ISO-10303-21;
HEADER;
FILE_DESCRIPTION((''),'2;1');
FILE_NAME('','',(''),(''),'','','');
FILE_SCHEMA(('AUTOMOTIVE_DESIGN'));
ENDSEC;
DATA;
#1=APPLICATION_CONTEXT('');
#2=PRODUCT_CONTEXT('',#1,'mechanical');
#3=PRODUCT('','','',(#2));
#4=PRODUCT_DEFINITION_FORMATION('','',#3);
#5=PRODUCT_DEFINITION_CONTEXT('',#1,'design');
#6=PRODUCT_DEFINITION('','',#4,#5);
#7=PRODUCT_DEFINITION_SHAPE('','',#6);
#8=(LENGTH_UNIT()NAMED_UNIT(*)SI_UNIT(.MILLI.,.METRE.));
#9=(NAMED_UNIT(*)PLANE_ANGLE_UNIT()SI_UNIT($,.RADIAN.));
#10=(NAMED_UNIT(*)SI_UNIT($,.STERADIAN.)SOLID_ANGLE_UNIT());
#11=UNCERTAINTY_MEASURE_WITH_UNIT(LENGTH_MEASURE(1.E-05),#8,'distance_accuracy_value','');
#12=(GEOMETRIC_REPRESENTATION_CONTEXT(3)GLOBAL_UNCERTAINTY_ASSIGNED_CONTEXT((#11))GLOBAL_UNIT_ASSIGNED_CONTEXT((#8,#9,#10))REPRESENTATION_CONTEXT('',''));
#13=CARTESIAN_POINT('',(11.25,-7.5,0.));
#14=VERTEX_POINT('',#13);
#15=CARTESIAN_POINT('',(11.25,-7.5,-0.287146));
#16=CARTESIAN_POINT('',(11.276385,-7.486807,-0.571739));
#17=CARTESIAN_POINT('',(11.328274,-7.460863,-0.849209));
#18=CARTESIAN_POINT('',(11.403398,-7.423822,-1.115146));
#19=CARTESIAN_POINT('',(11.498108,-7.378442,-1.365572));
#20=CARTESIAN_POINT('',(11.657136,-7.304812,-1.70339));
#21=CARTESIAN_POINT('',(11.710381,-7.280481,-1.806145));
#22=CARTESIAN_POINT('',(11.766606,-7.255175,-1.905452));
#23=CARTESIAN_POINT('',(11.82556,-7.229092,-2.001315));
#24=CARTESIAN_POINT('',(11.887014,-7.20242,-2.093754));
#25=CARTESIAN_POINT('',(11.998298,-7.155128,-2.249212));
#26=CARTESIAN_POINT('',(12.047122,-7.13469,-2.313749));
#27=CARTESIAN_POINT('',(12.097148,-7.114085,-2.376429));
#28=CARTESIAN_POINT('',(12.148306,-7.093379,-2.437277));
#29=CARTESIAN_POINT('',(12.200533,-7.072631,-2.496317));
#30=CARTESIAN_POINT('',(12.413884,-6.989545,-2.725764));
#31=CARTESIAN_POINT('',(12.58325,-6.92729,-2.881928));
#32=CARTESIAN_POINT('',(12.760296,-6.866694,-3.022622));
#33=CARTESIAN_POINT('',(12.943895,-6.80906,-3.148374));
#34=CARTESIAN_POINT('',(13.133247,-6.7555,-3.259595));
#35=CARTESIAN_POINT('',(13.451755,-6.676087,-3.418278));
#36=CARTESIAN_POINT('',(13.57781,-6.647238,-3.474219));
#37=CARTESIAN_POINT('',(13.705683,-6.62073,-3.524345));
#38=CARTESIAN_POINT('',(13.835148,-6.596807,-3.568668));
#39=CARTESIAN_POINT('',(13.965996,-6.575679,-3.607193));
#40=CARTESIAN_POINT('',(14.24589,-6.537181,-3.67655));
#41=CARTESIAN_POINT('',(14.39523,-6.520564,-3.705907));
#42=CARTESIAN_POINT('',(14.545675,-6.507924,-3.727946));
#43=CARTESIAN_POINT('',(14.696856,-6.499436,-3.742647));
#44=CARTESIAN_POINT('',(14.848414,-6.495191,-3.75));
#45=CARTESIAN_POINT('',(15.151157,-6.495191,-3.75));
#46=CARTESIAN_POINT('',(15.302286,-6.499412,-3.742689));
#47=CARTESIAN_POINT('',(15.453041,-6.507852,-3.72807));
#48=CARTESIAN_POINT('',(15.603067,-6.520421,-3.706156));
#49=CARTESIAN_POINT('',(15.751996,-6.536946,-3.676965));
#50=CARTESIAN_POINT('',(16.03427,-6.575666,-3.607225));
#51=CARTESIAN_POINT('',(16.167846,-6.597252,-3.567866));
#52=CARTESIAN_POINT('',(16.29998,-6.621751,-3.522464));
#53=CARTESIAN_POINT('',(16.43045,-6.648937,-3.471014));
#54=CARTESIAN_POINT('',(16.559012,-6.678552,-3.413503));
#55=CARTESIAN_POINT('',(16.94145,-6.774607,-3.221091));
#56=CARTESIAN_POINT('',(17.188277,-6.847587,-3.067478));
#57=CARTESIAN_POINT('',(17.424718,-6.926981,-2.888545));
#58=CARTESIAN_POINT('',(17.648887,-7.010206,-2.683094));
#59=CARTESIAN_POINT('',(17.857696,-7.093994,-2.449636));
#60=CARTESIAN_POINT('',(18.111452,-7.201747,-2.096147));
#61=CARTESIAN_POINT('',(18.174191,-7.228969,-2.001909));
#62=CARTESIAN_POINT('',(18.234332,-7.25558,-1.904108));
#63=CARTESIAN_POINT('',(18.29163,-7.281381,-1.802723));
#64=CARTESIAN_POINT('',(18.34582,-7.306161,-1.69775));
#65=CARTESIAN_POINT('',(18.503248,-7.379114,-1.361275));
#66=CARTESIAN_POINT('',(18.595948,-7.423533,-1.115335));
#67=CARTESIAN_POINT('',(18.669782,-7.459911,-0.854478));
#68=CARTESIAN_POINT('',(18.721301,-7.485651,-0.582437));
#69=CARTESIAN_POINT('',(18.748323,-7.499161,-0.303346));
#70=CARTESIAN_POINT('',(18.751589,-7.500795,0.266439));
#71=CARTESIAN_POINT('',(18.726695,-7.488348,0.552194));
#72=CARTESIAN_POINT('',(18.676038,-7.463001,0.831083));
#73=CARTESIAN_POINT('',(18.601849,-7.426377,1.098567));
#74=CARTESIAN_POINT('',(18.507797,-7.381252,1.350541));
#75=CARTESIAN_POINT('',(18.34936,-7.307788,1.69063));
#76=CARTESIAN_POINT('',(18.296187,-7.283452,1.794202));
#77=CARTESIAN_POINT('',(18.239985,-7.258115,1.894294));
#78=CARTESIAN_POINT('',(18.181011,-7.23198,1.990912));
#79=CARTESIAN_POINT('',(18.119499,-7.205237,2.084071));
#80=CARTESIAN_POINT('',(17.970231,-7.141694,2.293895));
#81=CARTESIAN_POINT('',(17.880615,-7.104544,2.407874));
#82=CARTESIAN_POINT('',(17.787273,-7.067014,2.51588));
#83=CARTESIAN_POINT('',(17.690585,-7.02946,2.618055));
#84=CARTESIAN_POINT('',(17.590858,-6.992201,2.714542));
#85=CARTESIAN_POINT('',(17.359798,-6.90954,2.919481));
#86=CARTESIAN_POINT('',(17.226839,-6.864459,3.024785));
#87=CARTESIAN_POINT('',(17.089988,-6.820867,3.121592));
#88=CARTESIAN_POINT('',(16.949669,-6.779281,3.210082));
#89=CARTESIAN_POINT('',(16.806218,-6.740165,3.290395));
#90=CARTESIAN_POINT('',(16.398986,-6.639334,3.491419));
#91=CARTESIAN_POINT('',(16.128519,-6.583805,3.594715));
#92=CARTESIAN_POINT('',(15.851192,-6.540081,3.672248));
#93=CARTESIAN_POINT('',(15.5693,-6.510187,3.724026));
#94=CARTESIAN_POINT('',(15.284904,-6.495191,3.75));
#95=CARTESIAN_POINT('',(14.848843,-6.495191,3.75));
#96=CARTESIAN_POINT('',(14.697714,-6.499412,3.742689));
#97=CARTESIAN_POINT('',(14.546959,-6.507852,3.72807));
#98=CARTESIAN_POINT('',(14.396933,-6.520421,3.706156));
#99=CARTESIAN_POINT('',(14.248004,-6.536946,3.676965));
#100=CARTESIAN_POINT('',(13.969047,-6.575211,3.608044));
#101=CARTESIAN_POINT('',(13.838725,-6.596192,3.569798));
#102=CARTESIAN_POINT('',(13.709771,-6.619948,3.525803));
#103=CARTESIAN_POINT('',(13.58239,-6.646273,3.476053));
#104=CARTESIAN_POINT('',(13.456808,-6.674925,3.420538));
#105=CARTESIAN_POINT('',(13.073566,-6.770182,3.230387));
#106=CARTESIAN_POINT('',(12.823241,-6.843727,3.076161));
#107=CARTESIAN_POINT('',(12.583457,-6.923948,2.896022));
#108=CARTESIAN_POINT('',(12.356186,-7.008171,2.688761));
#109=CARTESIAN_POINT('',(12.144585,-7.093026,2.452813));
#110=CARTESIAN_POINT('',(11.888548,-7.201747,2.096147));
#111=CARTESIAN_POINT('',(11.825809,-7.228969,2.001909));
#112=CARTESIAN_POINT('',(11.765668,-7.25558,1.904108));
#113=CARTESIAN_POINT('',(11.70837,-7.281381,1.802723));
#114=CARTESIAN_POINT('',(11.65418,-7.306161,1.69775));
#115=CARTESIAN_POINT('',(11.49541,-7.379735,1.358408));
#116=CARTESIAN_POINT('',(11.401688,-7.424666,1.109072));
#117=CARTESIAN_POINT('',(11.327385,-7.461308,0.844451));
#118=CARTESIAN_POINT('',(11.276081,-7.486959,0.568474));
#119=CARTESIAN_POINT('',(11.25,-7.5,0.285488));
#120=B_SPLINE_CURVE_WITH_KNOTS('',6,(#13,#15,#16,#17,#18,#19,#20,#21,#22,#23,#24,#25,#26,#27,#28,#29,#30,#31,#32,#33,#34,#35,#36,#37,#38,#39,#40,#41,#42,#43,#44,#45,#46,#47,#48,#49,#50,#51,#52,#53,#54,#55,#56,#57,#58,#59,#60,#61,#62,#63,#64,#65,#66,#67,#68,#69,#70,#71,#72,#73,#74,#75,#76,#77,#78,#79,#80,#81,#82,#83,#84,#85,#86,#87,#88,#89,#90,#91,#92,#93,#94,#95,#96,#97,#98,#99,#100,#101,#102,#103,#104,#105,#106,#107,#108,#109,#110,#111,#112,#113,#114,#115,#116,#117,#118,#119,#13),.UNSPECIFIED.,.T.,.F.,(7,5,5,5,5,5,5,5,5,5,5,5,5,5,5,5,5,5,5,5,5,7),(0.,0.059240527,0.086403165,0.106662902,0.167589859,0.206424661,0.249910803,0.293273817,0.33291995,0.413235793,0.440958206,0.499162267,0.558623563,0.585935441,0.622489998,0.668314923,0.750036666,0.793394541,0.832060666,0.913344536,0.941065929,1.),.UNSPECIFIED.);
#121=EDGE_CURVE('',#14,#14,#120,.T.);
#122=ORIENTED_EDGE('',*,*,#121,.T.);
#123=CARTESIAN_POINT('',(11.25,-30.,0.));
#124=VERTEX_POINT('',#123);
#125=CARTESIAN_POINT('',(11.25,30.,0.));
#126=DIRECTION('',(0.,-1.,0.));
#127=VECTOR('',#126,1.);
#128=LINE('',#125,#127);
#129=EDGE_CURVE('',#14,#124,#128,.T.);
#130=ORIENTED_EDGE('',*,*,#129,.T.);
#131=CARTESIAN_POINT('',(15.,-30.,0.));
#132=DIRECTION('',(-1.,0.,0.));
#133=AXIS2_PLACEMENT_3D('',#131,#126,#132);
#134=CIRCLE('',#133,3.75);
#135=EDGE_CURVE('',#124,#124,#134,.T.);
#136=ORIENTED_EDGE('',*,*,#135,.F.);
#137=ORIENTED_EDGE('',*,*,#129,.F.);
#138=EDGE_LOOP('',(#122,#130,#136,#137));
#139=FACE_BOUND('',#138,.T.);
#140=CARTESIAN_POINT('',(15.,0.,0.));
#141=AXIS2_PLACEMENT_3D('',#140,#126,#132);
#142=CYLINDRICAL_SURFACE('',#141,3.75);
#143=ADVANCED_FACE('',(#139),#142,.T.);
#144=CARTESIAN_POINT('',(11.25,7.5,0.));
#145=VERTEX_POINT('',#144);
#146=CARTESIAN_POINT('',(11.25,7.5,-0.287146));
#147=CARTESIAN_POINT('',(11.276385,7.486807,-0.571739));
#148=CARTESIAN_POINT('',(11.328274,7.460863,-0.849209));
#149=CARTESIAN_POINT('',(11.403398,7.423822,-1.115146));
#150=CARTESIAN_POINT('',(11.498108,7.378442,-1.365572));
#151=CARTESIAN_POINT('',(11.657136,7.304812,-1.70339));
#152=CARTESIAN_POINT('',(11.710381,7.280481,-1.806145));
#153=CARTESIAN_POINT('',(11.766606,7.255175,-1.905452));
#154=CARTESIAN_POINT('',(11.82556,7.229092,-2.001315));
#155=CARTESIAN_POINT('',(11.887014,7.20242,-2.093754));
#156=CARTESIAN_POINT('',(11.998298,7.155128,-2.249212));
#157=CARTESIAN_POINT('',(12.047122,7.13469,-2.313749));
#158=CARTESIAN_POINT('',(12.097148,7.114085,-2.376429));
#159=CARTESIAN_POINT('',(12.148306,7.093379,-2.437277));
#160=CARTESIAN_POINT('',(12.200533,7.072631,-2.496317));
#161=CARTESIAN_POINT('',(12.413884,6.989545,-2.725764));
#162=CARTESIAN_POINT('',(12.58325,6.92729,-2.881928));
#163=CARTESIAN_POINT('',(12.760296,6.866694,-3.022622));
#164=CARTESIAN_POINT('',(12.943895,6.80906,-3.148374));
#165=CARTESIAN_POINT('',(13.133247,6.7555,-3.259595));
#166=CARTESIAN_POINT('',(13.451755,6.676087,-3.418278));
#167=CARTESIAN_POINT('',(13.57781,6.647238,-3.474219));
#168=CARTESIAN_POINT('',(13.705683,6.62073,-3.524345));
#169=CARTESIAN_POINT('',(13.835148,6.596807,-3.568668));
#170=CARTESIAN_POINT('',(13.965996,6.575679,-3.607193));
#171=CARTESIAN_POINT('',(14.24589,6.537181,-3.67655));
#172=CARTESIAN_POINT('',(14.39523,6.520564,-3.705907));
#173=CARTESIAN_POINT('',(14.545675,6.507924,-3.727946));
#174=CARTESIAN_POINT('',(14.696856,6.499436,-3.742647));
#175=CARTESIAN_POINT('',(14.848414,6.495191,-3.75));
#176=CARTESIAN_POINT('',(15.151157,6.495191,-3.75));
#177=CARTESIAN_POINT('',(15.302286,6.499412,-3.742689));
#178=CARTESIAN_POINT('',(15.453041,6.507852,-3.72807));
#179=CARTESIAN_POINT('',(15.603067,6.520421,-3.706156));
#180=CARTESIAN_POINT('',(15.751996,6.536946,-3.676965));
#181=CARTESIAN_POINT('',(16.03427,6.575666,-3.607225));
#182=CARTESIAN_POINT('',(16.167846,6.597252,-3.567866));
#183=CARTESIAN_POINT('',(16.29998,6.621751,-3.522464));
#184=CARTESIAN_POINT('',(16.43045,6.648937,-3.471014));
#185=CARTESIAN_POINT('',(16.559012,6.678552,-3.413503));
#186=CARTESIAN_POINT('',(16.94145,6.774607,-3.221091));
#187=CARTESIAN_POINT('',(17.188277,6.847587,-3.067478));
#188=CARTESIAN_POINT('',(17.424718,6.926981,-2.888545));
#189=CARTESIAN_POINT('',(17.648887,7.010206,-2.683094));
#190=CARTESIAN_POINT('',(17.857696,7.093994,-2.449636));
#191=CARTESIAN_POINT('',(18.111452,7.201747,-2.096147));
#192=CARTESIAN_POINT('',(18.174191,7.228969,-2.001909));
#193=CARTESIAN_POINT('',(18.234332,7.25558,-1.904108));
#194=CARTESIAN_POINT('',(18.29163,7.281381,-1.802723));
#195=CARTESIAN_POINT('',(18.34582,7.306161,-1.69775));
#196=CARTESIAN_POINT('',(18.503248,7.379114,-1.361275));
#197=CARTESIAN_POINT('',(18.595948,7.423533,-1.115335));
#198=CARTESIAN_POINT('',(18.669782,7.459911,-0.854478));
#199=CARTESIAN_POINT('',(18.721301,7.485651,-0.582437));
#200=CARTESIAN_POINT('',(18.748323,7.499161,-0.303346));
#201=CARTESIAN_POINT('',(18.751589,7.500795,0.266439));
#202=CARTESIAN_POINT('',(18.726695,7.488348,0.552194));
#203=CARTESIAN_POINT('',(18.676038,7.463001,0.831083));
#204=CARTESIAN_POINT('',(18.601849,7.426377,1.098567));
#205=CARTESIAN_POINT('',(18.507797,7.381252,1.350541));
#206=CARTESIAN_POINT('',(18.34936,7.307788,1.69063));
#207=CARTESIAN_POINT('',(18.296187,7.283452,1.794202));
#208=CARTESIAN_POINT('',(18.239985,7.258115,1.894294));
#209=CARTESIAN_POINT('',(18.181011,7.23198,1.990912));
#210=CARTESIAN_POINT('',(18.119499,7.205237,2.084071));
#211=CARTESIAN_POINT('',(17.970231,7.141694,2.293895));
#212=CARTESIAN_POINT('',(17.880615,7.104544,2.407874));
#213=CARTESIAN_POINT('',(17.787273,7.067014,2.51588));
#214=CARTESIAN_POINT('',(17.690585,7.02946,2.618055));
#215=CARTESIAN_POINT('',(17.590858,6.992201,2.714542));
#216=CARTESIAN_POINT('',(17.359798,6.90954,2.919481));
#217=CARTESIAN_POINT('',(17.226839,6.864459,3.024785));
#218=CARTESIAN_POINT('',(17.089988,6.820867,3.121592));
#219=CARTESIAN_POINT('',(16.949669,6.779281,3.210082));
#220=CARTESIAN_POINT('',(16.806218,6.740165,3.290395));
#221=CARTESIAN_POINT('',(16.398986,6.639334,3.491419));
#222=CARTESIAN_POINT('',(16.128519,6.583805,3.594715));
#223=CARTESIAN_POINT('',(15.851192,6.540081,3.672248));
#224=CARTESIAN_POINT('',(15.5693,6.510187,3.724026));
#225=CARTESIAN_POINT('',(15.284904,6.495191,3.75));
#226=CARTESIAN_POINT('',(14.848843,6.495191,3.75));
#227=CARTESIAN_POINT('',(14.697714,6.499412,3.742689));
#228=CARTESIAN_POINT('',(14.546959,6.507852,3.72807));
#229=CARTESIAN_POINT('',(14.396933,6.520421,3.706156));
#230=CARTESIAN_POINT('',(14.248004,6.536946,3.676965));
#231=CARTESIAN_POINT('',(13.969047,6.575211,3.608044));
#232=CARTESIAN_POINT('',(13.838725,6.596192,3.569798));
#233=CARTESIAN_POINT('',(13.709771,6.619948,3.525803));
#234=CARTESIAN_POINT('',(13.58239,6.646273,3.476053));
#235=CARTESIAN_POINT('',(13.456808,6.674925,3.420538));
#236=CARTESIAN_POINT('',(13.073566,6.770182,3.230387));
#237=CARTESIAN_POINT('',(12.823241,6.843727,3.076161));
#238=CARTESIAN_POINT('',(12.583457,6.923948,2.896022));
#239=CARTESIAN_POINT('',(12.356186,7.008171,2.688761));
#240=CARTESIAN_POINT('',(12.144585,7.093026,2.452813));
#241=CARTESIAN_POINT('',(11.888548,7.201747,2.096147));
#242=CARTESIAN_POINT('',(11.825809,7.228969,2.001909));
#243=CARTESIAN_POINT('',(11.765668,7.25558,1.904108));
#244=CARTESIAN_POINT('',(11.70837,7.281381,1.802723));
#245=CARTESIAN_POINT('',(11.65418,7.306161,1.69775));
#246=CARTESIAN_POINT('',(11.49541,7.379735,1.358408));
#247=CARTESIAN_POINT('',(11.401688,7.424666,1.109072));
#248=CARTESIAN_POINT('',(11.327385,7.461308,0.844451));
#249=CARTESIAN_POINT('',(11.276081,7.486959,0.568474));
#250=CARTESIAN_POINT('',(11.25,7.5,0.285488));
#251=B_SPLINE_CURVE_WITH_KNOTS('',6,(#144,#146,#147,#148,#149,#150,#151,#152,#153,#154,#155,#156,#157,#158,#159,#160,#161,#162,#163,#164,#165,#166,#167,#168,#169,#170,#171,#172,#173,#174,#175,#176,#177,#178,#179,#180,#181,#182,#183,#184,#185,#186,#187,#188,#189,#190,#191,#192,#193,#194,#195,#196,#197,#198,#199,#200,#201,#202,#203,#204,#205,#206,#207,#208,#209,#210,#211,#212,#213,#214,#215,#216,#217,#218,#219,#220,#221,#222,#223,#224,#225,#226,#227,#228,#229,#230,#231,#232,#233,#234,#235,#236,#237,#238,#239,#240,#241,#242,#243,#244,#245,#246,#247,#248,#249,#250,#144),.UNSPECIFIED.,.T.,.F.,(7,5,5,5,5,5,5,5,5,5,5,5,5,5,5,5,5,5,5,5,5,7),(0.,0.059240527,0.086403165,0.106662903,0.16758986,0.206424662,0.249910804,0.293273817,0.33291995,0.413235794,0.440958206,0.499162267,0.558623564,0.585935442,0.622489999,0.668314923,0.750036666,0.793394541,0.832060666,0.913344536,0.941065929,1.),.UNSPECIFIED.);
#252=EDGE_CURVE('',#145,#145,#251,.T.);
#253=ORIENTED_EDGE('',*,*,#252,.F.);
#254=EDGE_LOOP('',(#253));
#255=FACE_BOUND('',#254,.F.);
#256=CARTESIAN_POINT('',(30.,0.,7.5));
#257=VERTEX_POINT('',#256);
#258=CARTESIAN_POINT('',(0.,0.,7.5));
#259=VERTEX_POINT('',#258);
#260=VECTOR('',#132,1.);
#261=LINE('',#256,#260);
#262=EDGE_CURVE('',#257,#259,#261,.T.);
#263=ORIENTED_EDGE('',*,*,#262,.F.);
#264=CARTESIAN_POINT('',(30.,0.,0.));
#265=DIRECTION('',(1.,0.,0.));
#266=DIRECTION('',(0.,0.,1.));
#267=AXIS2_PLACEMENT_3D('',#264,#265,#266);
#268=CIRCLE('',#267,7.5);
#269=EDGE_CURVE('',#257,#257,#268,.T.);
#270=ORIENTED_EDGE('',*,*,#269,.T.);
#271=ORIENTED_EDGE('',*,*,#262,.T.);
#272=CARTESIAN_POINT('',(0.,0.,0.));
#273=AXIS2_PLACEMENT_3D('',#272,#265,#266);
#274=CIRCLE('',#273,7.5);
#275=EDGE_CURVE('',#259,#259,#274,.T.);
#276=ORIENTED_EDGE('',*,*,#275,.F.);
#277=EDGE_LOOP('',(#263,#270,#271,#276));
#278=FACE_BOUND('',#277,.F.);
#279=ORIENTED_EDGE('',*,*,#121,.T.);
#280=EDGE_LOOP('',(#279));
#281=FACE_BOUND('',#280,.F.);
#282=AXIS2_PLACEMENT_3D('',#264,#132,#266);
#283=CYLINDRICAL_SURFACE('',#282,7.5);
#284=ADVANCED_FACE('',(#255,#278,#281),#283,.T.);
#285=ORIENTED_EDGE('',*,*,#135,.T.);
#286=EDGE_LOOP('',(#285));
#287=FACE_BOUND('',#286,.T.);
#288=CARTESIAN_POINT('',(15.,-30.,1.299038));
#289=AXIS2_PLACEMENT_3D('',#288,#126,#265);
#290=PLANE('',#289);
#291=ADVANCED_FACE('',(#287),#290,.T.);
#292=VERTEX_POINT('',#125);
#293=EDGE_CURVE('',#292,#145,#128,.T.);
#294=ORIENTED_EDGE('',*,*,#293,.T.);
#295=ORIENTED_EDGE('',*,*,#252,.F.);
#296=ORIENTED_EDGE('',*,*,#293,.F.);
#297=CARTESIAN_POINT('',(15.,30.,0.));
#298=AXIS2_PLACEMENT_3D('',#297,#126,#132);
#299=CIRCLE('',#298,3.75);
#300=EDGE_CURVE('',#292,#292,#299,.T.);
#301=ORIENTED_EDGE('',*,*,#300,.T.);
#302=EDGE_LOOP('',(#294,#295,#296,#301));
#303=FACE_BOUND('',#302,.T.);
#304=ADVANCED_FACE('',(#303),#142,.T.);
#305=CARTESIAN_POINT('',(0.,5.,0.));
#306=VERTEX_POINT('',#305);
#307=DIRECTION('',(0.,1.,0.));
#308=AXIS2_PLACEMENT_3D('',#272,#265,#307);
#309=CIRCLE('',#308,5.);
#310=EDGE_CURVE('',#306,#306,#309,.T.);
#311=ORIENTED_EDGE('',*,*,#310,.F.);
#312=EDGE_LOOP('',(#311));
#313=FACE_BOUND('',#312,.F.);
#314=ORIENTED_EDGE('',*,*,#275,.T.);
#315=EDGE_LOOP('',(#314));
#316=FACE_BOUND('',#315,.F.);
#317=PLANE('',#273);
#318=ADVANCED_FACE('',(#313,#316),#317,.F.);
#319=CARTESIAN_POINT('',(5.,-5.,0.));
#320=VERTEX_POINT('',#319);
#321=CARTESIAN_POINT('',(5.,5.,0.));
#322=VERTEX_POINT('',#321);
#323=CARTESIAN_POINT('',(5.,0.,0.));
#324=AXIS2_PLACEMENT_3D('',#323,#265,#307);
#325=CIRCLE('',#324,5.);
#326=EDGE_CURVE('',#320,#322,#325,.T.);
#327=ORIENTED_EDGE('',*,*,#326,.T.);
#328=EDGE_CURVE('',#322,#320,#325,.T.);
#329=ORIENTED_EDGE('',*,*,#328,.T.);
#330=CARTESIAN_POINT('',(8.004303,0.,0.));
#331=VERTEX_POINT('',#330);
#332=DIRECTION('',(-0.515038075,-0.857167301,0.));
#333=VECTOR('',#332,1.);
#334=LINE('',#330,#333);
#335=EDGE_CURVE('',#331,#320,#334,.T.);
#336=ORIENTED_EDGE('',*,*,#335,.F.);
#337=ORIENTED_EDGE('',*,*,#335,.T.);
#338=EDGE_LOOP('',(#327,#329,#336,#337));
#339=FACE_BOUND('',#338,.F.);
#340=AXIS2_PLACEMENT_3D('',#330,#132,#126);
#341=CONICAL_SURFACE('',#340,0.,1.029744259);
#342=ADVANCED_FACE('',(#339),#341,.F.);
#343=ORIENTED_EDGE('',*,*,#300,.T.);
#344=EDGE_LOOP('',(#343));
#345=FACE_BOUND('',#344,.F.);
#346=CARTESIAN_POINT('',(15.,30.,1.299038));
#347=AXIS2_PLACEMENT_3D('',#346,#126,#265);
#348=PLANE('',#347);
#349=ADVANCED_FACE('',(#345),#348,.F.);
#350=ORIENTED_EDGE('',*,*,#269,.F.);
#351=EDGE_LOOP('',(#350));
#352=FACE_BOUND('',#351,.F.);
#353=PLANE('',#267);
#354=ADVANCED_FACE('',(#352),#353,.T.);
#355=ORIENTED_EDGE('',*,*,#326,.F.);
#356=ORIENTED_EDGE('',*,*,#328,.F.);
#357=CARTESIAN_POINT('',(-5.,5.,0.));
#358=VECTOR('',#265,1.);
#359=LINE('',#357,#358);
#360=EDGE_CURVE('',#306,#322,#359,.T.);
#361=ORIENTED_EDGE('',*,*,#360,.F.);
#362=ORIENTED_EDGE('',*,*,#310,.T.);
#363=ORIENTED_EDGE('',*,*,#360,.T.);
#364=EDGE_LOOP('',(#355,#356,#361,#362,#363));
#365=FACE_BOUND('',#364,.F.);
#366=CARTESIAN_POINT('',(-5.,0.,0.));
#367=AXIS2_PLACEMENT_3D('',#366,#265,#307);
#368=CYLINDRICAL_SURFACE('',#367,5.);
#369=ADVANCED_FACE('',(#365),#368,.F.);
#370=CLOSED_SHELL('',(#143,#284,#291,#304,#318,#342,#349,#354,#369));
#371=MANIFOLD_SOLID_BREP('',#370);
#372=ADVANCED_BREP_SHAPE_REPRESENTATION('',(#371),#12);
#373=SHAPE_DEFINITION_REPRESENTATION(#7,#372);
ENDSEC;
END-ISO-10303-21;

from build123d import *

# Parameters (mm, degrees)
F3_D     = 10
F3_DEPTH = 5
F3_TIP   = 3.0043030951
F4_DEPTH = 30


with BuildPart() as f1:
    # F0 (on Front) → F1 (revolve)
    with BuildSketch(Plane.XZ):
        with BuildLine():
            ThreePointArc((11.25, 0), (15, 3.75), (18.75, 0))
            Line((18.75, 0), (30, 0))
            Line((30, 0), (30, 7.5))
            Line((30, 7.5), (0, 7.5))
            Line((0, 7.5), (0, 0))
            Line((0, 0), (11.25, 0))
        make_face()
        with BuildLine():
            ThreePointArc((11.25, 0), (15, -3.75), (18.75, 0))
            Line((18.75, 0), (11.25, 0))
        make_face()
        with BuildLine():
            Line((11.25, 0), (18.75, 0))
            ThreePointArc((18.75, 0), (15, 3.75), (11.25, 0))
        make_face()
    revolve(axis=Axis((15, 0, 0), (1, 0, 0)))

    # F3
    with Locations(Plane(origin=(0, 0, 0), x_dir=(0, -1, 0), z_dir=(-1, 0, 0))):
        with Locations((0, 0)):
            Hole(F3_D / 2, depth=F3_DEPTH)
            with Locations((0, 0, -(F3_DEPTH + F3_TIP / 2))):  # 118° drill point
                Cone(0, F3_D / 2, F3_TIP, mode=Mode.SUBTRACT)

    # F0 (on Front) → F4 (join, symmetric)
    with BuildSketch(Plane.XZ):
        with BuildLine():
            Line((11.25, 0), (18.75, 0))
            ThreePointArc((18.75, 0), (15, 3.75), (11.25, 0))
        make_face()
        with BuildLine():
            ThreePointArc((11.25, 0), (15, -3.75), (18.75, 0))
            Line((18.75, 0), (11.25, 0))
        make_face()
    extrude(amount=F4_DEPTH, both=True)


solid = f1.part
